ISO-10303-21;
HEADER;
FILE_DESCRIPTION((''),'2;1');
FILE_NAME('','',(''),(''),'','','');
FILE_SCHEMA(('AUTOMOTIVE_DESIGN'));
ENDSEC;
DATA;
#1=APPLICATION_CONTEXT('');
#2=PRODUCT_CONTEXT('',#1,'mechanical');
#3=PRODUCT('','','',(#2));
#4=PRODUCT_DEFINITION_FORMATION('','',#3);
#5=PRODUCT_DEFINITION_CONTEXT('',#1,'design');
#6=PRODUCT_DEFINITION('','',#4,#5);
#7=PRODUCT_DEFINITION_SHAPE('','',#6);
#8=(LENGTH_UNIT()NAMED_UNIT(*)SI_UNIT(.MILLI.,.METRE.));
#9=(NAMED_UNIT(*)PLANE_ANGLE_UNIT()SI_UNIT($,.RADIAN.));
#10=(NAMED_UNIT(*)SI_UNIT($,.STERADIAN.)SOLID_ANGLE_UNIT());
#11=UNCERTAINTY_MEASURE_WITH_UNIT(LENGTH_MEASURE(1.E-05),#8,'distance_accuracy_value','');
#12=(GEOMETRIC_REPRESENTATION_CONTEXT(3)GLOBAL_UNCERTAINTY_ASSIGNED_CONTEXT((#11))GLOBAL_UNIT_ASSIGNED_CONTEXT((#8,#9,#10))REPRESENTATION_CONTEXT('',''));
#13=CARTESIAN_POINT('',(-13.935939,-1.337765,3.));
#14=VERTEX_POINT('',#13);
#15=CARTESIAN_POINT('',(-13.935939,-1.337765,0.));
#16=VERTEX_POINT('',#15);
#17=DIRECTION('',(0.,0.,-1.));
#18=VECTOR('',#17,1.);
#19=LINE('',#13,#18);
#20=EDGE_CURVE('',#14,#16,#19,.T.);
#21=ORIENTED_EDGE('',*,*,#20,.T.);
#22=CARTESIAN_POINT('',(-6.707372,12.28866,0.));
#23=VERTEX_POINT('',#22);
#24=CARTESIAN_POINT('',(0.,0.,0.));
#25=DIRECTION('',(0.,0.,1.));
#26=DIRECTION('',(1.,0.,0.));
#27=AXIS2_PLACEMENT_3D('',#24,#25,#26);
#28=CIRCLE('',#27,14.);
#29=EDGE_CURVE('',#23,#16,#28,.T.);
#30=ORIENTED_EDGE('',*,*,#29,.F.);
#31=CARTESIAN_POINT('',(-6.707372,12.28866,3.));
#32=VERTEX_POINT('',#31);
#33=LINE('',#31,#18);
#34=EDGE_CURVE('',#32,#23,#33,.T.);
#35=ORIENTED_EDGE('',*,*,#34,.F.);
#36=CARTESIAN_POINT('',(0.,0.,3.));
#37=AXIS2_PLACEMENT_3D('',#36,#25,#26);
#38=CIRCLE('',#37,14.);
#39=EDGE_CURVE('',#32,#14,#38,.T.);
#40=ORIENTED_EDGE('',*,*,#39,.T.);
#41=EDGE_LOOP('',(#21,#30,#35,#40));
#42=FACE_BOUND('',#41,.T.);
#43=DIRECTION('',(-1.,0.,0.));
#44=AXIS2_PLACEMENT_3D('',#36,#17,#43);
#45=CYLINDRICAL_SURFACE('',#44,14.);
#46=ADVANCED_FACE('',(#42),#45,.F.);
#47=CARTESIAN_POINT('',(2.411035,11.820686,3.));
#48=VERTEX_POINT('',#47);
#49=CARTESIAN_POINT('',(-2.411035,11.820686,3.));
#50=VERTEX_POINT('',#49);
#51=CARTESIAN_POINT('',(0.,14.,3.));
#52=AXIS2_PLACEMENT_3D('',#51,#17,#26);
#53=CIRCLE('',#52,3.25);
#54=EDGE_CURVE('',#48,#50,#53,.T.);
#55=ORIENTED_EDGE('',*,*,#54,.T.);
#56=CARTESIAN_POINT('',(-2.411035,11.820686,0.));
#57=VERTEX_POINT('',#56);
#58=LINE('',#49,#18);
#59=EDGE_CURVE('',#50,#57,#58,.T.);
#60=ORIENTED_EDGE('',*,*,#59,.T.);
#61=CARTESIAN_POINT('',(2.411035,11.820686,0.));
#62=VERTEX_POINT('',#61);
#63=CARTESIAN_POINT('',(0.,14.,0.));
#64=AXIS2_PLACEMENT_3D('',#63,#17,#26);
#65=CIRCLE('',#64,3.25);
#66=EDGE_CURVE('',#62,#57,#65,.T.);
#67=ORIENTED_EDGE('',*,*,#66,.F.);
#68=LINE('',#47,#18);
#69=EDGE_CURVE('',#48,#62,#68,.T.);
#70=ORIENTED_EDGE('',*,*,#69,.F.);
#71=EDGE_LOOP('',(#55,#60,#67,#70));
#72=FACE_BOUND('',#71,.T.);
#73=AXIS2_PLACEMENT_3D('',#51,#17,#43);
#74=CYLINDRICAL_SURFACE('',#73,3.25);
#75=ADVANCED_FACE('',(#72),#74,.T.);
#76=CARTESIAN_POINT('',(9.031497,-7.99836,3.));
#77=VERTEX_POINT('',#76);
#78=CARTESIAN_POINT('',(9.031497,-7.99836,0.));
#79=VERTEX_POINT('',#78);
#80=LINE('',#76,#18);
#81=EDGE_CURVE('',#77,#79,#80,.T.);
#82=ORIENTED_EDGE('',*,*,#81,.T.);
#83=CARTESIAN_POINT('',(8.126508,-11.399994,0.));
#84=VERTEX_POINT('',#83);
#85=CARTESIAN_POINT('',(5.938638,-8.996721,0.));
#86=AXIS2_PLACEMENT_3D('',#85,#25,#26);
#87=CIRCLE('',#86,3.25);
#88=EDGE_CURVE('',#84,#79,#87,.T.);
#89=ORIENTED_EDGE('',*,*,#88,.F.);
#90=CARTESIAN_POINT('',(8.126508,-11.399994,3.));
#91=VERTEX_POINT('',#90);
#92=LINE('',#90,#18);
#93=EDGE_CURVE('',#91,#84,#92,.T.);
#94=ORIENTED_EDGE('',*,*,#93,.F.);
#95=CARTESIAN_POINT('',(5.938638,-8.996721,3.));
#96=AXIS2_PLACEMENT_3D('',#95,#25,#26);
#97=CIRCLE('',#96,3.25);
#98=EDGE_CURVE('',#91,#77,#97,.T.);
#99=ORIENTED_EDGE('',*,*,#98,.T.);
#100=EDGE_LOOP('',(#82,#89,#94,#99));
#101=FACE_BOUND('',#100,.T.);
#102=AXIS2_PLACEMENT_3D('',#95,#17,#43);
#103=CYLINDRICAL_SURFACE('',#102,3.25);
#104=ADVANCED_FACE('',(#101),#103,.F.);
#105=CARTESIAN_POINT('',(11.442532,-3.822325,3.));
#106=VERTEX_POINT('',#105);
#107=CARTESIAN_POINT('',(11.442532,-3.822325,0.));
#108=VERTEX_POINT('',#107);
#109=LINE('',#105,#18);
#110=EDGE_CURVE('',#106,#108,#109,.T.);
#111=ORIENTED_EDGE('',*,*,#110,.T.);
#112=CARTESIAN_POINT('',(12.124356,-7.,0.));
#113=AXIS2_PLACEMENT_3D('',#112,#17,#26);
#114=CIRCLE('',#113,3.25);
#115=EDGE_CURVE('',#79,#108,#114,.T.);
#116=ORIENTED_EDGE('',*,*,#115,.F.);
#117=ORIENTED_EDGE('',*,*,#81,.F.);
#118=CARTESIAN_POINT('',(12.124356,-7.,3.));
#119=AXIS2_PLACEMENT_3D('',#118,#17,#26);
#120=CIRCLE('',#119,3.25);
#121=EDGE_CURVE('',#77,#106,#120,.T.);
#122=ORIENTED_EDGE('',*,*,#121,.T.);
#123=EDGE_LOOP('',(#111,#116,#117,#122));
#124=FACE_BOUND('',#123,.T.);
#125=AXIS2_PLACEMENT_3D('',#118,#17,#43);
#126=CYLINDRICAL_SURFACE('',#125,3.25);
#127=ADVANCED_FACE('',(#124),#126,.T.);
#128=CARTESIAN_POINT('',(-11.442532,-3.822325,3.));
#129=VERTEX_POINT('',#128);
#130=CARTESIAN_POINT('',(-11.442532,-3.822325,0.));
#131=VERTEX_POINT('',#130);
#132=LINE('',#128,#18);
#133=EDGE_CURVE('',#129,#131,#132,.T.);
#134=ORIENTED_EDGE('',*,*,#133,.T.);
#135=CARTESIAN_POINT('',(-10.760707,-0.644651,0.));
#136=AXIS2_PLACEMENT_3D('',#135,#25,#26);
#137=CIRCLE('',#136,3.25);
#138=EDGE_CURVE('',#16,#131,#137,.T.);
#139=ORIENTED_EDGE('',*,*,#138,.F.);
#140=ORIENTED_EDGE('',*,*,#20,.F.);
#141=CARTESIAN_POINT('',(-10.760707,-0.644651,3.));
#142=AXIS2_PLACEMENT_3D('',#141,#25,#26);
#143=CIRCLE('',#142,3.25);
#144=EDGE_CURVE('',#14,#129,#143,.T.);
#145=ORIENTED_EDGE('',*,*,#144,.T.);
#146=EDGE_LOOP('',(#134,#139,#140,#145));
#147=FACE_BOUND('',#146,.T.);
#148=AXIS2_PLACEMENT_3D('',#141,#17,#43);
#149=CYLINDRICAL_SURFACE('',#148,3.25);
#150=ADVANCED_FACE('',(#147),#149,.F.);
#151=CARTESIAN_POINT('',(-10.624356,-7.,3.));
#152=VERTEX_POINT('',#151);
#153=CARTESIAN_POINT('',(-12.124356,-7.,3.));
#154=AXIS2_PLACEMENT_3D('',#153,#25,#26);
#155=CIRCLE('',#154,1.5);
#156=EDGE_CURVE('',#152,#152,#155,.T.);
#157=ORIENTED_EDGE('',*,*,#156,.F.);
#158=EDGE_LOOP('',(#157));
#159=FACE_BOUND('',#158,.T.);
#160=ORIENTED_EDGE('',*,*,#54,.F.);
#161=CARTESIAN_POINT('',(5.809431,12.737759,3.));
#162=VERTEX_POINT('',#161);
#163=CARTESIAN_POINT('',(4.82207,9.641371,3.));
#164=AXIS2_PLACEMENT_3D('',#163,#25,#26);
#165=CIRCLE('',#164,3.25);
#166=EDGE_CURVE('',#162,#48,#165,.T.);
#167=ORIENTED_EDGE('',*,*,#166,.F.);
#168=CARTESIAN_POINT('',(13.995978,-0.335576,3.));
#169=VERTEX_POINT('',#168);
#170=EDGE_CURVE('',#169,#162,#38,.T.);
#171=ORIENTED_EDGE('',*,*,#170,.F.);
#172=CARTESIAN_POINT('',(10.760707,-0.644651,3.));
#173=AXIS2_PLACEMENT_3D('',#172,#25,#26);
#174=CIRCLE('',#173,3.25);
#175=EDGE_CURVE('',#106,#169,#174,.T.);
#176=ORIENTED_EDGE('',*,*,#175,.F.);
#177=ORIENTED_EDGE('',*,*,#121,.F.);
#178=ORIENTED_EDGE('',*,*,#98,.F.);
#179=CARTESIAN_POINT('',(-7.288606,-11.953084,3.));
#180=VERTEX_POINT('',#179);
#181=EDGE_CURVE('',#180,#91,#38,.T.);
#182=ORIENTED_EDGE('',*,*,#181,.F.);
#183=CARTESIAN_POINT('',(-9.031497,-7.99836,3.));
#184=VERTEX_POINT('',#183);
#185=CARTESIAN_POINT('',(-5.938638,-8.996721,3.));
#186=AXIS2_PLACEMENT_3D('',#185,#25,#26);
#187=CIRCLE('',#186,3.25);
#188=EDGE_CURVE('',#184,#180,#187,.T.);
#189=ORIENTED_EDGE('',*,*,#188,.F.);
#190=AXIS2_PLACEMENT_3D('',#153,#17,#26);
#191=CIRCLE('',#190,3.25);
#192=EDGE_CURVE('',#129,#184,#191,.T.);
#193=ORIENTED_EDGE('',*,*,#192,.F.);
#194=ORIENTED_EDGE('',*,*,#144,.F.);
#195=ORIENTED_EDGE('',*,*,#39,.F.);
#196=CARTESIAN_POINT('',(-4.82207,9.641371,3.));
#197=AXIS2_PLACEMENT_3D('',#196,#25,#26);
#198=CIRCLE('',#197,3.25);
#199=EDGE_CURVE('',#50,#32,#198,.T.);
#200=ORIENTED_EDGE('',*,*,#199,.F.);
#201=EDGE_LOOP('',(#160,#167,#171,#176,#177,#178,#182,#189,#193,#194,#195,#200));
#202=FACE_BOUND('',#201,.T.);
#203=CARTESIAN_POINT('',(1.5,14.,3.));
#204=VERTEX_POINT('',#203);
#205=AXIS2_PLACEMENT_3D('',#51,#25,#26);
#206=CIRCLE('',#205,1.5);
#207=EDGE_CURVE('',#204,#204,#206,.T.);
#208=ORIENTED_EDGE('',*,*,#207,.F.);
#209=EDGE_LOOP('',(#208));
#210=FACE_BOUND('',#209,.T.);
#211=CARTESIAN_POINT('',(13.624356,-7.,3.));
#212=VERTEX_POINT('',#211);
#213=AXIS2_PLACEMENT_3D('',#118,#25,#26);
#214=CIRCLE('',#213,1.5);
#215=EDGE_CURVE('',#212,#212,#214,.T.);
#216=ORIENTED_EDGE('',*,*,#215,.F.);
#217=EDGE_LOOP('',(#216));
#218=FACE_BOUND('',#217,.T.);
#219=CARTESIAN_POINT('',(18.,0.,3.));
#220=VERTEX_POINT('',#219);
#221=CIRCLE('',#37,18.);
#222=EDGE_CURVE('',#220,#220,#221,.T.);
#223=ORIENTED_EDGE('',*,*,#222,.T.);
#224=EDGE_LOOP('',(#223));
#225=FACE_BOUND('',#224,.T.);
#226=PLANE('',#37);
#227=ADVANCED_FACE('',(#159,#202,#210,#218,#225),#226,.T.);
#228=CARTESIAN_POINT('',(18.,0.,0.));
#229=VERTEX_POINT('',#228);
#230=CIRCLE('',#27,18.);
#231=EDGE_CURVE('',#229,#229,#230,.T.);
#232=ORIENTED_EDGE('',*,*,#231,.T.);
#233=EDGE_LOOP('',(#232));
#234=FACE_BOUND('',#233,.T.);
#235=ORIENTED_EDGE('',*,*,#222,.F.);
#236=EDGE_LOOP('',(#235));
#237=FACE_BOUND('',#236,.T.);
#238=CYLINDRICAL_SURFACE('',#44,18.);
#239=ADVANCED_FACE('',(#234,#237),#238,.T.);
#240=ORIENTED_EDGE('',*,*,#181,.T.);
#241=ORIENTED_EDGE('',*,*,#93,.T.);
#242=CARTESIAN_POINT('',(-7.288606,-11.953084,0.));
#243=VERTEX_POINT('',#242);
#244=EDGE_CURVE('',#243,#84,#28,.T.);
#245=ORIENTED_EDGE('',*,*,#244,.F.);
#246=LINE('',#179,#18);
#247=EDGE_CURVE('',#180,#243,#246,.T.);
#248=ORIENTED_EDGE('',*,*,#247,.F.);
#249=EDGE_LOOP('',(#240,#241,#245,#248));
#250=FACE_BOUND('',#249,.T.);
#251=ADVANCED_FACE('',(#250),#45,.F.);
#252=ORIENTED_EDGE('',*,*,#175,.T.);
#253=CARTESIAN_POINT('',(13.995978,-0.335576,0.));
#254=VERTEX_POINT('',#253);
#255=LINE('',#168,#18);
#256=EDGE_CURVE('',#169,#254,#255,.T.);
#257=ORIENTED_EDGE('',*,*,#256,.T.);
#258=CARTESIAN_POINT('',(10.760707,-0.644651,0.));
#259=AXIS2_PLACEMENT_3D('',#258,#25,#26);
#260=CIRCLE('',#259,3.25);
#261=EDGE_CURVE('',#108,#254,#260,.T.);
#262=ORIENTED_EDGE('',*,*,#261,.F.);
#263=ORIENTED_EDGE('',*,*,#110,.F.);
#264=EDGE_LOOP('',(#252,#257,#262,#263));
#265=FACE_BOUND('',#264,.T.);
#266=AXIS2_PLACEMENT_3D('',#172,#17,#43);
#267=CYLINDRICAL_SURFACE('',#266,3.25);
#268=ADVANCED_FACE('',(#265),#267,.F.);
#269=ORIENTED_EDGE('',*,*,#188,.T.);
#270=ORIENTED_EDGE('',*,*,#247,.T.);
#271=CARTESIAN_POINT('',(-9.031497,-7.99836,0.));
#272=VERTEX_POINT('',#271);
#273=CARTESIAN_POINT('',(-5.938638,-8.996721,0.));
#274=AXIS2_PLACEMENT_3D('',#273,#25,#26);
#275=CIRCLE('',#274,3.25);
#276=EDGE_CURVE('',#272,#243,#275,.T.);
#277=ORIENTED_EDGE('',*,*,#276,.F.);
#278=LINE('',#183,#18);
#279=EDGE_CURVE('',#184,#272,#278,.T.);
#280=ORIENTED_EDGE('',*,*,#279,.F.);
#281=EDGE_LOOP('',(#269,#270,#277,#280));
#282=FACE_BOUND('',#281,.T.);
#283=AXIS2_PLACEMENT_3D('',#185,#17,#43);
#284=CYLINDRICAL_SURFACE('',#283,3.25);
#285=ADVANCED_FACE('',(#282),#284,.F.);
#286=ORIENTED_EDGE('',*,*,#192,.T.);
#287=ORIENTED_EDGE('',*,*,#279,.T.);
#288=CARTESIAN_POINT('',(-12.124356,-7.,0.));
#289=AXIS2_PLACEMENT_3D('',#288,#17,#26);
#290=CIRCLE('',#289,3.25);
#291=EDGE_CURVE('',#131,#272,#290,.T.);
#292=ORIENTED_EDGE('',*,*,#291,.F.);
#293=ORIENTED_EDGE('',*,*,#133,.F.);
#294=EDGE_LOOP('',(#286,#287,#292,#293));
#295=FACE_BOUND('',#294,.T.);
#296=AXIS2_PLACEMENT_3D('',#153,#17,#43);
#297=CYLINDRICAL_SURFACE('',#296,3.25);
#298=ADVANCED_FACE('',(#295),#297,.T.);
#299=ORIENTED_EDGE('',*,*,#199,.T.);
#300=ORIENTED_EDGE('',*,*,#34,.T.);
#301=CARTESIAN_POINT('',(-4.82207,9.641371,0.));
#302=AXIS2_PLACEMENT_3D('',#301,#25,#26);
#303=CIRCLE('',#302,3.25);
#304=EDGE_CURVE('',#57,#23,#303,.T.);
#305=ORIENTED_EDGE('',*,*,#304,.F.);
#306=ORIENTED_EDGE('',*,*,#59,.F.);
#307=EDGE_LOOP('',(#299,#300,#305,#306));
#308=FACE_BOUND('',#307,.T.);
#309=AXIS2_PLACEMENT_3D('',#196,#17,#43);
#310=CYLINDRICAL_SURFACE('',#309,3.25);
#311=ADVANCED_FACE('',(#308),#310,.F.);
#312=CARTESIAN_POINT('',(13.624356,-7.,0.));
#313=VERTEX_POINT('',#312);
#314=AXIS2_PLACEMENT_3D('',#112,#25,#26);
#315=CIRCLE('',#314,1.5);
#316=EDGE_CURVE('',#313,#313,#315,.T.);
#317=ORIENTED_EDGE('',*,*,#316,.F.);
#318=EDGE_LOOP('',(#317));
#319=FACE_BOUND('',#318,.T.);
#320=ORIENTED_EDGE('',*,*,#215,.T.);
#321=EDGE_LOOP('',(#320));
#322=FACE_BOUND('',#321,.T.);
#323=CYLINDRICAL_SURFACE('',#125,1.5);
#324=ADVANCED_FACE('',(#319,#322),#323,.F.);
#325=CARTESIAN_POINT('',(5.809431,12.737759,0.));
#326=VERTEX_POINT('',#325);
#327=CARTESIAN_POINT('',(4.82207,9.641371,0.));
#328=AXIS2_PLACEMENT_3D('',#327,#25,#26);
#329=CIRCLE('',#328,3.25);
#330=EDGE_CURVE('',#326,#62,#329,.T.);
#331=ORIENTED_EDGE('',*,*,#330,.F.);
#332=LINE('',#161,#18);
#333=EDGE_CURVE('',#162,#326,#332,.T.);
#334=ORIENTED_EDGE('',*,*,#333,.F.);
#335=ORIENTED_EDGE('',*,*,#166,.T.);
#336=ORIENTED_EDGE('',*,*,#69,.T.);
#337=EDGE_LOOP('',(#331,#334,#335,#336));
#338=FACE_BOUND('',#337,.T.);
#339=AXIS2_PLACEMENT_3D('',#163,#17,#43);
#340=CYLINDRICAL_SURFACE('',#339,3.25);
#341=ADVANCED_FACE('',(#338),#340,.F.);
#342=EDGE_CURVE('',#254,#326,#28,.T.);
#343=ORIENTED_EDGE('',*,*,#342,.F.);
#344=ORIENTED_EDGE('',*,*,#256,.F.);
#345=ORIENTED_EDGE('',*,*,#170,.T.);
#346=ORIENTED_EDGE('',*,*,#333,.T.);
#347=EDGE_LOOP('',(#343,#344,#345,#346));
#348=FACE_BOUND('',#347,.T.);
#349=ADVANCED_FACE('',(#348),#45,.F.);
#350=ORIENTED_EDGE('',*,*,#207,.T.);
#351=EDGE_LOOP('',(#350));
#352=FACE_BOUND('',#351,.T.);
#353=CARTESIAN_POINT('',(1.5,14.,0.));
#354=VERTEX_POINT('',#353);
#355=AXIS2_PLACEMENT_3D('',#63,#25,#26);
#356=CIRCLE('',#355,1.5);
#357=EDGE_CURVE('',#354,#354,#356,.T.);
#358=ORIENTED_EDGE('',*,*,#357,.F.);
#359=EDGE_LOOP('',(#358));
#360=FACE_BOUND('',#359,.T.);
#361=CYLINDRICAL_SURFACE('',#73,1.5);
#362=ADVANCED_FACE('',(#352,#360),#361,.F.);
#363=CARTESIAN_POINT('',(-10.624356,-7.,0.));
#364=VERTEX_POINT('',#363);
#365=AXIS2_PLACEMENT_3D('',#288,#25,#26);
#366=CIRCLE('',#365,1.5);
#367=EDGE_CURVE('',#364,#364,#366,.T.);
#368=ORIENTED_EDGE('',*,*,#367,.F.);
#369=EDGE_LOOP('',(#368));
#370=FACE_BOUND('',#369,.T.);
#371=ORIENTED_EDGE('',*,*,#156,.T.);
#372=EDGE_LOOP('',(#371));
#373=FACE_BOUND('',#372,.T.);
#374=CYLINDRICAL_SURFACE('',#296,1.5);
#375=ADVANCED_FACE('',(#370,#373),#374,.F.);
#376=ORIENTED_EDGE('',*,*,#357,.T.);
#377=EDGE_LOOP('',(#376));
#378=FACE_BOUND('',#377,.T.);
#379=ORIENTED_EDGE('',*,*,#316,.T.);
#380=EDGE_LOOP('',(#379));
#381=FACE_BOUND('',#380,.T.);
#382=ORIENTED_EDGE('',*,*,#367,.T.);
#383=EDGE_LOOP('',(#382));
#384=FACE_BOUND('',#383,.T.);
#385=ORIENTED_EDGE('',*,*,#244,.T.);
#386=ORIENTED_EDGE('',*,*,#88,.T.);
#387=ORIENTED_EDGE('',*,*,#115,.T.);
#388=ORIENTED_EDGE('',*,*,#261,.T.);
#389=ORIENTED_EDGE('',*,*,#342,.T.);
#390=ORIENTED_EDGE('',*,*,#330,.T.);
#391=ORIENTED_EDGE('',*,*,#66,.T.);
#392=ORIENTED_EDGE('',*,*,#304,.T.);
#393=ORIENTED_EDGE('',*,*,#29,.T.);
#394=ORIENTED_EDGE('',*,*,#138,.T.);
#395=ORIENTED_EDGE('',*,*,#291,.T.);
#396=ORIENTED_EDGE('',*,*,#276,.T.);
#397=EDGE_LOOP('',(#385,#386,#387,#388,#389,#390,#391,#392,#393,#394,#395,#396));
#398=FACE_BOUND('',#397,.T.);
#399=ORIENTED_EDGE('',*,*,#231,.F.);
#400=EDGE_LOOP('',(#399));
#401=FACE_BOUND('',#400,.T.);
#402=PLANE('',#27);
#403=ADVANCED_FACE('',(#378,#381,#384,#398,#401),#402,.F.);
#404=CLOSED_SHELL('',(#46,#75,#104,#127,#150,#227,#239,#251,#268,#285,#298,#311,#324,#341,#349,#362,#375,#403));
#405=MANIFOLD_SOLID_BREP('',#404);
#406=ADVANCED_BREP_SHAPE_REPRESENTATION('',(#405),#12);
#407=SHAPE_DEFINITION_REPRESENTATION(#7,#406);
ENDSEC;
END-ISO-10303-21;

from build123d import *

# Parameters (mm, degrees)
ESQUISSE1_R        = 18
ESQUISSE1_R_2      = 1.5
BOSS_EXTRU_2_DEPTH = 3


with BuildPart() as part:
    # Esquisse1 → Boss.-Extru.2 (new body)
    with BuildSketch(Plane.XY):
        Circle(ESQUISSE1_R)
        with Locations((0, 14)):
            Circle(ESQUISSE1_R_2, mode=Mode.SUBTRACT)
        with Locations((12.124355653, -7)):
            Circle(ESQUISSE1_R_2, mode=Mode.SUBTRACT)
        with Locations((-12.124355653, -7)):
            Circle(ESQUISSE1_R_2, mode=Mode.SUBTRACT)
        with BuildLine():
            ThreePointArc((-2.411034891, 11.820685714), (0, 10.75), (2.411034891, 11.820685714))
            ThreePointArc((2.411034891, 11.820685714), (3.975330286, 12.779130538), (5.80943088, 12.737759334))
            ThreePointArc((5.80943088, 12.737759334), (11.865562564, 7.430237213), (13.995977593, -0.335575935))
            ThreePointArc((13.995977593, -0.335575935), (13.382779595, -2.564868949), (11.442531564, -3.822325392))
            ThreePointArc((11.442531564, -3.822325392), (9.309773091, -5.375), (9.031496673, -7.998360322))
            ThreePointArc((9.031496673, -7.998360322), (9.079386541, -9.832302285), (8.126507731, -11.399994391))
            ThreePointArc((8.126507731, -11.399994391), (0.5019929, -13.990997217), (-7.288606081, -11.953084179))
            ThreePointArc((-7.288606081, -11.953084179), (-8.912631465, -10.307392628), (-9.031496673, -7.998360322))
            ThreePointArc((-9.031496673, -7.998360322), (-9.309773091, -5.375), (-11.442531564, -3.822325392))
            ThreePointArc((-11.442531564, -3.822325392), (-13.054716827, -2.946828253), (-13.935938611, -1.337764944))
            ThreePointArc((-13.935938611, -1.337764944), (-12.367555464, 6.560760004), (-6.707371512, 12.288660114))
            ThreePointArc((-6.707371512, 12.288660114), (-4.47014813, 12.872261577), (-2.411034891, 11.820685714))
        make_face(mode=Mode.SUBTRACT)
    extrude(amount=BOSS_EXTRU_2_DEPTH)


solid = part.part
